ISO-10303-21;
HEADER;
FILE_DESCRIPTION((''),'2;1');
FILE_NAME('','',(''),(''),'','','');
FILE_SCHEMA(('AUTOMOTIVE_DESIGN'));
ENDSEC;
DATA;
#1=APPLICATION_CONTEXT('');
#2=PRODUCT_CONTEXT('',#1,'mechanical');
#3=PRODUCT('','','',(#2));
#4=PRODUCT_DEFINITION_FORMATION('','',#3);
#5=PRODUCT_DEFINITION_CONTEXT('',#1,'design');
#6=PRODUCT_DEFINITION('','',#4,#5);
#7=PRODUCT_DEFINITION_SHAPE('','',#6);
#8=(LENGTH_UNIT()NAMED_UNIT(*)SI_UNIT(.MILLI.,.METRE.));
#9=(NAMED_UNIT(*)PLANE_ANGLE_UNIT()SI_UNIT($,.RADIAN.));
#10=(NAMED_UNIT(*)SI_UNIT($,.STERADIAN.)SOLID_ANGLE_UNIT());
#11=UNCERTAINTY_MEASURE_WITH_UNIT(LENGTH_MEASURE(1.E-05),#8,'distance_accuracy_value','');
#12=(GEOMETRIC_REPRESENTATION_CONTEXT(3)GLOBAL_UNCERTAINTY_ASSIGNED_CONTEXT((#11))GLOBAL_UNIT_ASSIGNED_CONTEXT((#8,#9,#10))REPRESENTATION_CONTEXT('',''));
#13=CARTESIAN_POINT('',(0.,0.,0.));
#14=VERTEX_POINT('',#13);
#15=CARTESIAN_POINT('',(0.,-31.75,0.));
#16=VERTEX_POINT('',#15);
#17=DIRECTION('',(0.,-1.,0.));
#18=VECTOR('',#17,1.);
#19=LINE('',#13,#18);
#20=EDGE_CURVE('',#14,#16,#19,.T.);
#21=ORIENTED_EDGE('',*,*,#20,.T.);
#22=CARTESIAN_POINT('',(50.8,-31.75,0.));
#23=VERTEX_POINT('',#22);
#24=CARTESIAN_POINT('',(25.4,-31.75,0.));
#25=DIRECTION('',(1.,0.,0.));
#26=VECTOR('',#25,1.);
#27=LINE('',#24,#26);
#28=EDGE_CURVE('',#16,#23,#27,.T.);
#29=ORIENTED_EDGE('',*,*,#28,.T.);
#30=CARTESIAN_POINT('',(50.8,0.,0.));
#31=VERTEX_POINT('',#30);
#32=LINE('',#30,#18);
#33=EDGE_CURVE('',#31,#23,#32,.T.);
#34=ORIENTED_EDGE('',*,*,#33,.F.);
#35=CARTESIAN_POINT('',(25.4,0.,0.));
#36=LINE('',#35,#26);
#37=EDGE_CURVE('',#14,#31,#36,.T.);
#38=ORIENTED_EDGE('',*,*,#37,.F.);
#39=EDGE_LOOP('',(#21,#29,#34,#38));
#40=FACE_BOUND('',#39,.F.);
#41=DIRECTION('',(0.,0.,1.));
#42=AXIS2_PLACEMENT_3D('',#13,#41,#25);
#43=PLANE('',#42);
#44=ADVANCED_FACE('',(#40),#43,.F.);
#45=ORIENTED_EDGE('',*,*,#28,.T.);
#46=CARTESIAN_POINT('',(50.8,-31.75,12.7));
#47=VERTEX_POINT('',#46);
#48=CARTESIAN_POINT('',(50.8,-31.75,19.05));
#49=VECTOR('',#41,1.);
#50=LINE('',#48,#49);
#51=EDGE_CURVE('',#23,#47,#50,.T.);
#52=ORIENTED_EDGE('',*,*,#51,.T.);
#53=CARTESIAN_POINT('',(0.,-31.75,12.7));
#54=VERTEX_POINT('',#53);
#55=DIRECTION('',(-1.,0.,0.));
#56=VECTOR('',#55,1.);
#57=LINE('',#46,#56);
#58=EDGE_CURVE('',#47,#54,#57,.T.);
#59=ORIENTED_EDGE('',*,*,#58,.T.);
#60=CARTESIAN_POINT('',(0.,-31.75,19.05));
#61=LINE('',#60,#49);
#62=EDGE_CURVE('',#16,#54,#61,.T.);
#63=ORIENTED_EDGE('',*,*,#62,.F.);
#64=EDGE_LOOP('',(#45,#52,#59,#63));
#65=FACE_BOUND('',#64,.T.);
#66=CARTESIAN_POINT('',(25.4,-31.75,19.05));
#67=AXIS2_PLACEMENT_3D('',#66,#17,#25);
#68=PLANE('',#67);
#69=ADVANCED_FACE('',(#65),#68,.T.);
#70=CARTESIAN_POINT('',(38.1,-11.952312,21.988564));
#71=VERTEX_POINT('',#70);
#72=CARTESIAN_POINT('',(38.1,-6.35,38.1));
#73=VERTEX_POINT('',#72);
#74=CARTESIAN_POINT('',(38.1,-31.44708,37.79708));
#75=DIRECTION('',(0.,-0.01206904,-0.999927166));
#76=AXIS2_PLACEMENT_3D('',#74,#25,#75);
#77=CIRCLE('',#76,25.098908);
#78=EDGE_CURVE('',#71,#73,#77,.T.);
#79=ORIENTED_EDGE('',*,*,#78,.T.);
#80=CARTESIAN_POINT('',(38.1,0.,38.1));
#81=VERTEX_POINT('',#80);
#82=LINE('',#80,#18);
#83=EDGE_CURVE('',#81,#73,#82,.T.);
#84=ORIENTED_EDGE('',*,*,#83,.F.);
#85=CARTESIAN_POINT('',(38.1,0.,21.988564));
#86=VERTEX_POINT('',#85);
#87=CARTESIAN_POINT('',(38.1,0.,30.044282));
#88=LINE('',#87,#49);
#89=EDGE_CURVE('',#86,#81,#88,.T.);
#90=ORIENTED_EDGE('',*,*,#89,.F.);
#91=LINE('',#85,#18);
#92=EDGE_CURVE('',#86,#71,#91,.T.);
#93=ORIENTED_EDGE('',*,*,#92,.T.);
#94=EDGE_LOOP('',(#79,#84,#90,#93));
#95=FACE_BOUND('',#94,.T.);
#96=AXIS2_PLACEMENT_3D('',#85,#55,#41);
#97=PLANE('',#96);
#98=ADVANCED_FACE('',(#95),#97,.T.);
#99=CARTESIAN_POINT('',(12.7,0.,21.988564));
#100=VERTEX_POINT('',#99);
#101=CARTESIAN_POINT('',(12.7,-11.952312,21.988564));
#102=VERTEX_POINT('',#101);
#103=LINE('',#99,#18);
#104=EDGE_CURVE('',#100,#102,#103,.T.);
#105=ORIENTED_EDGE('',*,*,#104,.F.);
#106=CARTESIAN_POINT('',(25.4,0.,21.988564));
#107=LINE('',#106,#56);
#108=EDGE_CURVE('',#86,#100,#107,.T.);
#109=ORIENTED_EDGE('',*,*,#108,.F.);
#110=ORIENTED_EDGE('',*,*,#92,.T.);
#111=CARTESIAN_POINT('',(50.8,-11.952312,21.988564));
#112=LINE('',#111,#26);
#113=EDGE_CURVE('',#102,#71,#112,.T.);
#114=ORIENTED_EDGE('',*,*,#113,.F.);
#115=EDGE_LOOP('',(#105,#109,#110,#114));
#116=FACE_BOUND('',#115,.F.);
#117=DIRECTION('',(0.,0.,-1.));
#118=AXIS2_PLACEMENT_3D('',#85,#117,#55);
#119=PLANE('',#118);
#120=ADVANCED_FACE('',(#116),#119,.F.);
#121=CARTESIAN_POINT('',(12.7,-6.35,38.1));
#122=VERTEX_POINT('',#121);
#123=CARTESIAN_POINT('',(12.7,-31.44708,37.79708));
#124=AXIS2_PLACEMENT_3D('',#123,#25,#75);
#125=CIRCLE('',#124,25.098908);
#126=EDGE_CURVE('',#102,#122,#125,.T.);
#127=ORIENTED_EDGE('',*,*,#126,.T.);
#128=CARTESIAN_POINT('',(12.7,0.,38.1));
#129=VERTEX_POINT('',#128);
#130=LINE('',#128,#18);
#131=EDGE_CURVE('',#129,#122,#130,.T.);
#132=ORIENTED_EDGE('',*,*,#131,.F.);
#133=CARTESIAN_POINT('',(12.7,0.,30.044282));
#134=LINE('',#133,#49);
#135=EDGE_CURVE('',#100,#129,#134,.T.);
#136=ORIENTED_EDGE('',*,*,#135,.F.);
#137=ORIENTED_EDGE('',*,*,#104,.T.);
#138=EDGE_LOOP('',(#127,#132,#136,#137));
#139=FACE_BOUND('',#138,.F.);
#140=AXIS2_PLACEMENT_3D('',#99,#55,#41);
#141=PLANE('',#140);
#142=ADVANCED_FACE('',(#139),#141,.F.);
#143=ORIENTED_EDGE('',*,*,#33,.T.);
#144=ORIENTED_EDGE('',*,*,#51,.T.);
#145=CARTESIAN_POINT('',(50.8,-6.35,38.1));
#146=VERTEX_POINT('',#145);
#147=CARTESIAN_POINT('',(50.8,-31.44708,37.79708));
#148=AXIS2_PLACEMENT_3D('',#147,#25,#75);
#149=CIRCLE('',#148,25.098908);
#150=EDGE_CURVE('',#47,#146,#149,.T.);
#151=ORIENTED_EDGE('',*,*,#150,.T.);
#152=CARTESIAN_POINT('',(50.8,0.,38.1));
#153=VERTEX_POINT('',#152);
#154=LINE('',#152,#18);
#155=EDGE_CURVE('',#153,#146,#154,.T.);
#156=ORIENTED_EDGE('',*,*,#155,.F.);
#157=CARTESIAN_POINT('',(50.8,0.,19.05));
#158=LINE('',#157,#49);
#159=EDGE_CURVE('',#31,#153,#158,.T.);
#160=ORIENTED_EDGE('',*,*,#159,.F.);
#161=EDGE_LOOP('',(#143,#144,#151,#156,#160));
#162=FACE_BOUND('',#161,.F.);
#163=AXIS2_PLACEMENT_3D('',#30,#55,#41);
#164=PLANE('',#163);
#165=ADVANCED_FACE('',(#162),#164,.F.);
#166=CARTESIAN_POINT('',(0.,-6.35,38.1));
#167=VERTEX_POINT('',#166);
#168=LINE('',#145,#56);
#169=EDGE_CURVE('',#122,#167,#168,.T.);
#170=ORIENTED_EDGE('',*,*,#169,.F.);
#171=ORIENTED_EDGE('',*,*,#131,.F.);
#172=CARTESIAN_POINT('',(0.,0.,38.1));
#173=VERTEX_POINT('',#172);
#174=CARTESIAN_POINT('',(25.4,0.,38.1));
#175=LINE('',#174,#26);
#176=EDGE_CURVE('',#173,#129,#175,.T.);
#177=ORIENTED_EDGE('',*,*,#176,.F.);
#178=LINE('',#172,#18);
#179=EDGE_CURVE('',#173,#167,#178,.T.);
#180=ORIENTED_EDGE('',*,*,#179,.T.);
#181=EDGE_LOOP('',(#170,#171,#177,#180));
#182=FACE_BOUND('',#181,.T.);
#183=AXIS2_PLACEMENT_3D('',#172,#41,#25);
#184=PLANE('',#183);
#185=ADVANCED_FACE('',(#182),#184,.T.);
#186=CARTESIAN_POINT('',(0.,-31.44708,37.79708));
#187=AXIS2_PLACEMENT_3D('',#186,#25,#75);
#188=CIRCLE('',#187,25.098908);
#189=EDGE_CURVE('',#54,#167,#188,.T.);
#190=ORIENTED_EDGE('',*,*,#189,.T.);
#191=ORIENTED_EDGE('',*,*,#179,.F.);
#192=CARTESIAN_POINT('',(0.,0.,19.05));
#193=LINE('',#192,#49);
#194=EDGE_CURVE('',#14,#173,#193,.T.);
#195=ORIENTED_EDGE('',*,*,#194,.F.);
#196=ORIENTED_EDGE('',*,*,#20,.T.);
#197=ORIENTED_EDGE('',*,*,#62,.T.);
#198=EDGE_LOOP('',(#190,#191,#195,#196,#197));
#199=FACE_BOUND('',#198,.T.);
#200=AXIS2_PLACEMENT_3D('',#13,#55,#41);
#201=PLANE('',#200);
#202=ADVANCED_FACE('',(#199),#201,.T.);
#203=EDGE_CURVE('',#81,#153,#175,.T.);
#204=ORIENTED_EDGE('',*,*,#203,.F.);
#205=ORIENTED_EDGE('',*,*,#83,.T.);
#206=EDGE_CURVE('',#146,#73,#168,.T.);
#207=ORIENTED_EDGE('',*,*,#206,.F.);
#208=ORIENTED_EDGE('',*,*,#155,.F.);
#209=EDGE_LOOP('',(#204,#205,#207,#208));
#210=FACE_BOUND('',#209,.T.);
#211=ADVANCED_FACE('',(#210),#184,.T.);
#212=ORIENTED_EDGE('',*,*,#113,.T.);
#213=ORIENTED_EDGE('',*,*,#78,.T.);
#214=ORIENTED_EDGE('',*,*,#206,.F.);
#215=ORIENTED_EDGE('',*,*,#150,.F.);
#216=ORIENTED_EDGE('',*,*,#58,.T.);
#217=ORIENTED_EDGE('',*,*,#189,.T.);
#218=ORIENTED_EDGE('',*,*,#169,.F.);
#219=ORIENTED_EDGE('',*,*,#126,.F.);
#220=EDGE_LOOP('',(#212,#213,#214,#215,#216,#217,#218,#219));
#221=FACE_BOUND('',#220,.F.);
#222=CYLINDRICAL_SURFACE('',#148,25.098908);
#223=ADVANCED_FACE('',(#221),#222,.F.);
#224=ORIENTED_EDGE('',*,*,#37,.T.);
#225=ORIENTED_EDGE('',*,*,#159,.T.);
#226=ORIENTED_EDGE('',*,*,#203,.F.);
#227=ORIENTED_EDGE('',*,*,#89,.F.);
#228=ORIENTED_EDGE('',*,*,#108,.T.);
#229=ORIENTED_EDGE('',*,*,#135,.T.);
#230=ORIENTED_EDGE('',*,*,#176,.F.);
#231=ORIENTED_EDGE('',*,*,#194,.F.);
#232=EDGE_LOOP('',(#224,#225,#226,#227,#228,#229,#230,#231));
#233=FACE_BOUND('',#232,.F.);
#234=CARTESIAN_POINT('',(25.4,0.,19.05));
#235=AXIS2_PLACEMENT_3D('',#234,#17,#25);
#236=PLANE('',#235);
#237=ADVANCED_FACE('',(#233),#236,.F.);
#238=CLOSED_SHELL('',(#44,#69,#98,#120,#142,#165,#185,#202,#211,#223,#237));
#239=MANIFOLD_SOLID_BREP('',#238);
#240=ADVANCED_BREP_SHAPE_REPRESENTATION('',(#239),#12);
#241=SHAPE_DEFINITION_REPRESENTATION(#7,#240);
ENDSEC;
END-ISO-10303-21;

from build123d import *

# Parameters (mm, degrees)
F0_W     = 50.8
F0_H     = 38.1
F1_DEPTH = 31.75
F2_W     = 25.4
F2_H     = 16.111437
F3_DEPTH = 12.7
F5_DEPTH = 50.801


with BuildPart() as f1:
    # F0 (on Front) → F1 (new body)
    with BuildSketch(Plane.XZ):
        with Locations((25.4, 19.05)):
            Rectangle(F0_W, F0_H)
    extrude(amount=F1_DEPTH)

    # F2 (on face) → F3 (cut)
    with BuildSketch(Plane(origin=(0, 0, 0), x_dir=(-1, 0, 0), z_dir=(0, 1, 0))):
        with Locations((-25.4, 30.044282)):
            Rectangle(F2_W, F2_H)
    extrude(amount=-F3_DEPTH, mode=Mode.SUBTRACT)

    # F4 (on face) → F5 (cut, through all)
    with BuildSketch(Plane.YZ.offset(50.8)):
        with BuildLine():
            Line((-31.75, 38.1), (-31.75, 12.7))
            ThreePointArc((-31.75, 12.7), (-13.699472, 20.049472), (-6.35, 38.1))
            Line((-6.35, 38.1), (-31.75, 38.1))
        make_face()
    extrude(amount=-F5_DEPTH, mode=Mode.SUBTRACT)


solid = f1.part
